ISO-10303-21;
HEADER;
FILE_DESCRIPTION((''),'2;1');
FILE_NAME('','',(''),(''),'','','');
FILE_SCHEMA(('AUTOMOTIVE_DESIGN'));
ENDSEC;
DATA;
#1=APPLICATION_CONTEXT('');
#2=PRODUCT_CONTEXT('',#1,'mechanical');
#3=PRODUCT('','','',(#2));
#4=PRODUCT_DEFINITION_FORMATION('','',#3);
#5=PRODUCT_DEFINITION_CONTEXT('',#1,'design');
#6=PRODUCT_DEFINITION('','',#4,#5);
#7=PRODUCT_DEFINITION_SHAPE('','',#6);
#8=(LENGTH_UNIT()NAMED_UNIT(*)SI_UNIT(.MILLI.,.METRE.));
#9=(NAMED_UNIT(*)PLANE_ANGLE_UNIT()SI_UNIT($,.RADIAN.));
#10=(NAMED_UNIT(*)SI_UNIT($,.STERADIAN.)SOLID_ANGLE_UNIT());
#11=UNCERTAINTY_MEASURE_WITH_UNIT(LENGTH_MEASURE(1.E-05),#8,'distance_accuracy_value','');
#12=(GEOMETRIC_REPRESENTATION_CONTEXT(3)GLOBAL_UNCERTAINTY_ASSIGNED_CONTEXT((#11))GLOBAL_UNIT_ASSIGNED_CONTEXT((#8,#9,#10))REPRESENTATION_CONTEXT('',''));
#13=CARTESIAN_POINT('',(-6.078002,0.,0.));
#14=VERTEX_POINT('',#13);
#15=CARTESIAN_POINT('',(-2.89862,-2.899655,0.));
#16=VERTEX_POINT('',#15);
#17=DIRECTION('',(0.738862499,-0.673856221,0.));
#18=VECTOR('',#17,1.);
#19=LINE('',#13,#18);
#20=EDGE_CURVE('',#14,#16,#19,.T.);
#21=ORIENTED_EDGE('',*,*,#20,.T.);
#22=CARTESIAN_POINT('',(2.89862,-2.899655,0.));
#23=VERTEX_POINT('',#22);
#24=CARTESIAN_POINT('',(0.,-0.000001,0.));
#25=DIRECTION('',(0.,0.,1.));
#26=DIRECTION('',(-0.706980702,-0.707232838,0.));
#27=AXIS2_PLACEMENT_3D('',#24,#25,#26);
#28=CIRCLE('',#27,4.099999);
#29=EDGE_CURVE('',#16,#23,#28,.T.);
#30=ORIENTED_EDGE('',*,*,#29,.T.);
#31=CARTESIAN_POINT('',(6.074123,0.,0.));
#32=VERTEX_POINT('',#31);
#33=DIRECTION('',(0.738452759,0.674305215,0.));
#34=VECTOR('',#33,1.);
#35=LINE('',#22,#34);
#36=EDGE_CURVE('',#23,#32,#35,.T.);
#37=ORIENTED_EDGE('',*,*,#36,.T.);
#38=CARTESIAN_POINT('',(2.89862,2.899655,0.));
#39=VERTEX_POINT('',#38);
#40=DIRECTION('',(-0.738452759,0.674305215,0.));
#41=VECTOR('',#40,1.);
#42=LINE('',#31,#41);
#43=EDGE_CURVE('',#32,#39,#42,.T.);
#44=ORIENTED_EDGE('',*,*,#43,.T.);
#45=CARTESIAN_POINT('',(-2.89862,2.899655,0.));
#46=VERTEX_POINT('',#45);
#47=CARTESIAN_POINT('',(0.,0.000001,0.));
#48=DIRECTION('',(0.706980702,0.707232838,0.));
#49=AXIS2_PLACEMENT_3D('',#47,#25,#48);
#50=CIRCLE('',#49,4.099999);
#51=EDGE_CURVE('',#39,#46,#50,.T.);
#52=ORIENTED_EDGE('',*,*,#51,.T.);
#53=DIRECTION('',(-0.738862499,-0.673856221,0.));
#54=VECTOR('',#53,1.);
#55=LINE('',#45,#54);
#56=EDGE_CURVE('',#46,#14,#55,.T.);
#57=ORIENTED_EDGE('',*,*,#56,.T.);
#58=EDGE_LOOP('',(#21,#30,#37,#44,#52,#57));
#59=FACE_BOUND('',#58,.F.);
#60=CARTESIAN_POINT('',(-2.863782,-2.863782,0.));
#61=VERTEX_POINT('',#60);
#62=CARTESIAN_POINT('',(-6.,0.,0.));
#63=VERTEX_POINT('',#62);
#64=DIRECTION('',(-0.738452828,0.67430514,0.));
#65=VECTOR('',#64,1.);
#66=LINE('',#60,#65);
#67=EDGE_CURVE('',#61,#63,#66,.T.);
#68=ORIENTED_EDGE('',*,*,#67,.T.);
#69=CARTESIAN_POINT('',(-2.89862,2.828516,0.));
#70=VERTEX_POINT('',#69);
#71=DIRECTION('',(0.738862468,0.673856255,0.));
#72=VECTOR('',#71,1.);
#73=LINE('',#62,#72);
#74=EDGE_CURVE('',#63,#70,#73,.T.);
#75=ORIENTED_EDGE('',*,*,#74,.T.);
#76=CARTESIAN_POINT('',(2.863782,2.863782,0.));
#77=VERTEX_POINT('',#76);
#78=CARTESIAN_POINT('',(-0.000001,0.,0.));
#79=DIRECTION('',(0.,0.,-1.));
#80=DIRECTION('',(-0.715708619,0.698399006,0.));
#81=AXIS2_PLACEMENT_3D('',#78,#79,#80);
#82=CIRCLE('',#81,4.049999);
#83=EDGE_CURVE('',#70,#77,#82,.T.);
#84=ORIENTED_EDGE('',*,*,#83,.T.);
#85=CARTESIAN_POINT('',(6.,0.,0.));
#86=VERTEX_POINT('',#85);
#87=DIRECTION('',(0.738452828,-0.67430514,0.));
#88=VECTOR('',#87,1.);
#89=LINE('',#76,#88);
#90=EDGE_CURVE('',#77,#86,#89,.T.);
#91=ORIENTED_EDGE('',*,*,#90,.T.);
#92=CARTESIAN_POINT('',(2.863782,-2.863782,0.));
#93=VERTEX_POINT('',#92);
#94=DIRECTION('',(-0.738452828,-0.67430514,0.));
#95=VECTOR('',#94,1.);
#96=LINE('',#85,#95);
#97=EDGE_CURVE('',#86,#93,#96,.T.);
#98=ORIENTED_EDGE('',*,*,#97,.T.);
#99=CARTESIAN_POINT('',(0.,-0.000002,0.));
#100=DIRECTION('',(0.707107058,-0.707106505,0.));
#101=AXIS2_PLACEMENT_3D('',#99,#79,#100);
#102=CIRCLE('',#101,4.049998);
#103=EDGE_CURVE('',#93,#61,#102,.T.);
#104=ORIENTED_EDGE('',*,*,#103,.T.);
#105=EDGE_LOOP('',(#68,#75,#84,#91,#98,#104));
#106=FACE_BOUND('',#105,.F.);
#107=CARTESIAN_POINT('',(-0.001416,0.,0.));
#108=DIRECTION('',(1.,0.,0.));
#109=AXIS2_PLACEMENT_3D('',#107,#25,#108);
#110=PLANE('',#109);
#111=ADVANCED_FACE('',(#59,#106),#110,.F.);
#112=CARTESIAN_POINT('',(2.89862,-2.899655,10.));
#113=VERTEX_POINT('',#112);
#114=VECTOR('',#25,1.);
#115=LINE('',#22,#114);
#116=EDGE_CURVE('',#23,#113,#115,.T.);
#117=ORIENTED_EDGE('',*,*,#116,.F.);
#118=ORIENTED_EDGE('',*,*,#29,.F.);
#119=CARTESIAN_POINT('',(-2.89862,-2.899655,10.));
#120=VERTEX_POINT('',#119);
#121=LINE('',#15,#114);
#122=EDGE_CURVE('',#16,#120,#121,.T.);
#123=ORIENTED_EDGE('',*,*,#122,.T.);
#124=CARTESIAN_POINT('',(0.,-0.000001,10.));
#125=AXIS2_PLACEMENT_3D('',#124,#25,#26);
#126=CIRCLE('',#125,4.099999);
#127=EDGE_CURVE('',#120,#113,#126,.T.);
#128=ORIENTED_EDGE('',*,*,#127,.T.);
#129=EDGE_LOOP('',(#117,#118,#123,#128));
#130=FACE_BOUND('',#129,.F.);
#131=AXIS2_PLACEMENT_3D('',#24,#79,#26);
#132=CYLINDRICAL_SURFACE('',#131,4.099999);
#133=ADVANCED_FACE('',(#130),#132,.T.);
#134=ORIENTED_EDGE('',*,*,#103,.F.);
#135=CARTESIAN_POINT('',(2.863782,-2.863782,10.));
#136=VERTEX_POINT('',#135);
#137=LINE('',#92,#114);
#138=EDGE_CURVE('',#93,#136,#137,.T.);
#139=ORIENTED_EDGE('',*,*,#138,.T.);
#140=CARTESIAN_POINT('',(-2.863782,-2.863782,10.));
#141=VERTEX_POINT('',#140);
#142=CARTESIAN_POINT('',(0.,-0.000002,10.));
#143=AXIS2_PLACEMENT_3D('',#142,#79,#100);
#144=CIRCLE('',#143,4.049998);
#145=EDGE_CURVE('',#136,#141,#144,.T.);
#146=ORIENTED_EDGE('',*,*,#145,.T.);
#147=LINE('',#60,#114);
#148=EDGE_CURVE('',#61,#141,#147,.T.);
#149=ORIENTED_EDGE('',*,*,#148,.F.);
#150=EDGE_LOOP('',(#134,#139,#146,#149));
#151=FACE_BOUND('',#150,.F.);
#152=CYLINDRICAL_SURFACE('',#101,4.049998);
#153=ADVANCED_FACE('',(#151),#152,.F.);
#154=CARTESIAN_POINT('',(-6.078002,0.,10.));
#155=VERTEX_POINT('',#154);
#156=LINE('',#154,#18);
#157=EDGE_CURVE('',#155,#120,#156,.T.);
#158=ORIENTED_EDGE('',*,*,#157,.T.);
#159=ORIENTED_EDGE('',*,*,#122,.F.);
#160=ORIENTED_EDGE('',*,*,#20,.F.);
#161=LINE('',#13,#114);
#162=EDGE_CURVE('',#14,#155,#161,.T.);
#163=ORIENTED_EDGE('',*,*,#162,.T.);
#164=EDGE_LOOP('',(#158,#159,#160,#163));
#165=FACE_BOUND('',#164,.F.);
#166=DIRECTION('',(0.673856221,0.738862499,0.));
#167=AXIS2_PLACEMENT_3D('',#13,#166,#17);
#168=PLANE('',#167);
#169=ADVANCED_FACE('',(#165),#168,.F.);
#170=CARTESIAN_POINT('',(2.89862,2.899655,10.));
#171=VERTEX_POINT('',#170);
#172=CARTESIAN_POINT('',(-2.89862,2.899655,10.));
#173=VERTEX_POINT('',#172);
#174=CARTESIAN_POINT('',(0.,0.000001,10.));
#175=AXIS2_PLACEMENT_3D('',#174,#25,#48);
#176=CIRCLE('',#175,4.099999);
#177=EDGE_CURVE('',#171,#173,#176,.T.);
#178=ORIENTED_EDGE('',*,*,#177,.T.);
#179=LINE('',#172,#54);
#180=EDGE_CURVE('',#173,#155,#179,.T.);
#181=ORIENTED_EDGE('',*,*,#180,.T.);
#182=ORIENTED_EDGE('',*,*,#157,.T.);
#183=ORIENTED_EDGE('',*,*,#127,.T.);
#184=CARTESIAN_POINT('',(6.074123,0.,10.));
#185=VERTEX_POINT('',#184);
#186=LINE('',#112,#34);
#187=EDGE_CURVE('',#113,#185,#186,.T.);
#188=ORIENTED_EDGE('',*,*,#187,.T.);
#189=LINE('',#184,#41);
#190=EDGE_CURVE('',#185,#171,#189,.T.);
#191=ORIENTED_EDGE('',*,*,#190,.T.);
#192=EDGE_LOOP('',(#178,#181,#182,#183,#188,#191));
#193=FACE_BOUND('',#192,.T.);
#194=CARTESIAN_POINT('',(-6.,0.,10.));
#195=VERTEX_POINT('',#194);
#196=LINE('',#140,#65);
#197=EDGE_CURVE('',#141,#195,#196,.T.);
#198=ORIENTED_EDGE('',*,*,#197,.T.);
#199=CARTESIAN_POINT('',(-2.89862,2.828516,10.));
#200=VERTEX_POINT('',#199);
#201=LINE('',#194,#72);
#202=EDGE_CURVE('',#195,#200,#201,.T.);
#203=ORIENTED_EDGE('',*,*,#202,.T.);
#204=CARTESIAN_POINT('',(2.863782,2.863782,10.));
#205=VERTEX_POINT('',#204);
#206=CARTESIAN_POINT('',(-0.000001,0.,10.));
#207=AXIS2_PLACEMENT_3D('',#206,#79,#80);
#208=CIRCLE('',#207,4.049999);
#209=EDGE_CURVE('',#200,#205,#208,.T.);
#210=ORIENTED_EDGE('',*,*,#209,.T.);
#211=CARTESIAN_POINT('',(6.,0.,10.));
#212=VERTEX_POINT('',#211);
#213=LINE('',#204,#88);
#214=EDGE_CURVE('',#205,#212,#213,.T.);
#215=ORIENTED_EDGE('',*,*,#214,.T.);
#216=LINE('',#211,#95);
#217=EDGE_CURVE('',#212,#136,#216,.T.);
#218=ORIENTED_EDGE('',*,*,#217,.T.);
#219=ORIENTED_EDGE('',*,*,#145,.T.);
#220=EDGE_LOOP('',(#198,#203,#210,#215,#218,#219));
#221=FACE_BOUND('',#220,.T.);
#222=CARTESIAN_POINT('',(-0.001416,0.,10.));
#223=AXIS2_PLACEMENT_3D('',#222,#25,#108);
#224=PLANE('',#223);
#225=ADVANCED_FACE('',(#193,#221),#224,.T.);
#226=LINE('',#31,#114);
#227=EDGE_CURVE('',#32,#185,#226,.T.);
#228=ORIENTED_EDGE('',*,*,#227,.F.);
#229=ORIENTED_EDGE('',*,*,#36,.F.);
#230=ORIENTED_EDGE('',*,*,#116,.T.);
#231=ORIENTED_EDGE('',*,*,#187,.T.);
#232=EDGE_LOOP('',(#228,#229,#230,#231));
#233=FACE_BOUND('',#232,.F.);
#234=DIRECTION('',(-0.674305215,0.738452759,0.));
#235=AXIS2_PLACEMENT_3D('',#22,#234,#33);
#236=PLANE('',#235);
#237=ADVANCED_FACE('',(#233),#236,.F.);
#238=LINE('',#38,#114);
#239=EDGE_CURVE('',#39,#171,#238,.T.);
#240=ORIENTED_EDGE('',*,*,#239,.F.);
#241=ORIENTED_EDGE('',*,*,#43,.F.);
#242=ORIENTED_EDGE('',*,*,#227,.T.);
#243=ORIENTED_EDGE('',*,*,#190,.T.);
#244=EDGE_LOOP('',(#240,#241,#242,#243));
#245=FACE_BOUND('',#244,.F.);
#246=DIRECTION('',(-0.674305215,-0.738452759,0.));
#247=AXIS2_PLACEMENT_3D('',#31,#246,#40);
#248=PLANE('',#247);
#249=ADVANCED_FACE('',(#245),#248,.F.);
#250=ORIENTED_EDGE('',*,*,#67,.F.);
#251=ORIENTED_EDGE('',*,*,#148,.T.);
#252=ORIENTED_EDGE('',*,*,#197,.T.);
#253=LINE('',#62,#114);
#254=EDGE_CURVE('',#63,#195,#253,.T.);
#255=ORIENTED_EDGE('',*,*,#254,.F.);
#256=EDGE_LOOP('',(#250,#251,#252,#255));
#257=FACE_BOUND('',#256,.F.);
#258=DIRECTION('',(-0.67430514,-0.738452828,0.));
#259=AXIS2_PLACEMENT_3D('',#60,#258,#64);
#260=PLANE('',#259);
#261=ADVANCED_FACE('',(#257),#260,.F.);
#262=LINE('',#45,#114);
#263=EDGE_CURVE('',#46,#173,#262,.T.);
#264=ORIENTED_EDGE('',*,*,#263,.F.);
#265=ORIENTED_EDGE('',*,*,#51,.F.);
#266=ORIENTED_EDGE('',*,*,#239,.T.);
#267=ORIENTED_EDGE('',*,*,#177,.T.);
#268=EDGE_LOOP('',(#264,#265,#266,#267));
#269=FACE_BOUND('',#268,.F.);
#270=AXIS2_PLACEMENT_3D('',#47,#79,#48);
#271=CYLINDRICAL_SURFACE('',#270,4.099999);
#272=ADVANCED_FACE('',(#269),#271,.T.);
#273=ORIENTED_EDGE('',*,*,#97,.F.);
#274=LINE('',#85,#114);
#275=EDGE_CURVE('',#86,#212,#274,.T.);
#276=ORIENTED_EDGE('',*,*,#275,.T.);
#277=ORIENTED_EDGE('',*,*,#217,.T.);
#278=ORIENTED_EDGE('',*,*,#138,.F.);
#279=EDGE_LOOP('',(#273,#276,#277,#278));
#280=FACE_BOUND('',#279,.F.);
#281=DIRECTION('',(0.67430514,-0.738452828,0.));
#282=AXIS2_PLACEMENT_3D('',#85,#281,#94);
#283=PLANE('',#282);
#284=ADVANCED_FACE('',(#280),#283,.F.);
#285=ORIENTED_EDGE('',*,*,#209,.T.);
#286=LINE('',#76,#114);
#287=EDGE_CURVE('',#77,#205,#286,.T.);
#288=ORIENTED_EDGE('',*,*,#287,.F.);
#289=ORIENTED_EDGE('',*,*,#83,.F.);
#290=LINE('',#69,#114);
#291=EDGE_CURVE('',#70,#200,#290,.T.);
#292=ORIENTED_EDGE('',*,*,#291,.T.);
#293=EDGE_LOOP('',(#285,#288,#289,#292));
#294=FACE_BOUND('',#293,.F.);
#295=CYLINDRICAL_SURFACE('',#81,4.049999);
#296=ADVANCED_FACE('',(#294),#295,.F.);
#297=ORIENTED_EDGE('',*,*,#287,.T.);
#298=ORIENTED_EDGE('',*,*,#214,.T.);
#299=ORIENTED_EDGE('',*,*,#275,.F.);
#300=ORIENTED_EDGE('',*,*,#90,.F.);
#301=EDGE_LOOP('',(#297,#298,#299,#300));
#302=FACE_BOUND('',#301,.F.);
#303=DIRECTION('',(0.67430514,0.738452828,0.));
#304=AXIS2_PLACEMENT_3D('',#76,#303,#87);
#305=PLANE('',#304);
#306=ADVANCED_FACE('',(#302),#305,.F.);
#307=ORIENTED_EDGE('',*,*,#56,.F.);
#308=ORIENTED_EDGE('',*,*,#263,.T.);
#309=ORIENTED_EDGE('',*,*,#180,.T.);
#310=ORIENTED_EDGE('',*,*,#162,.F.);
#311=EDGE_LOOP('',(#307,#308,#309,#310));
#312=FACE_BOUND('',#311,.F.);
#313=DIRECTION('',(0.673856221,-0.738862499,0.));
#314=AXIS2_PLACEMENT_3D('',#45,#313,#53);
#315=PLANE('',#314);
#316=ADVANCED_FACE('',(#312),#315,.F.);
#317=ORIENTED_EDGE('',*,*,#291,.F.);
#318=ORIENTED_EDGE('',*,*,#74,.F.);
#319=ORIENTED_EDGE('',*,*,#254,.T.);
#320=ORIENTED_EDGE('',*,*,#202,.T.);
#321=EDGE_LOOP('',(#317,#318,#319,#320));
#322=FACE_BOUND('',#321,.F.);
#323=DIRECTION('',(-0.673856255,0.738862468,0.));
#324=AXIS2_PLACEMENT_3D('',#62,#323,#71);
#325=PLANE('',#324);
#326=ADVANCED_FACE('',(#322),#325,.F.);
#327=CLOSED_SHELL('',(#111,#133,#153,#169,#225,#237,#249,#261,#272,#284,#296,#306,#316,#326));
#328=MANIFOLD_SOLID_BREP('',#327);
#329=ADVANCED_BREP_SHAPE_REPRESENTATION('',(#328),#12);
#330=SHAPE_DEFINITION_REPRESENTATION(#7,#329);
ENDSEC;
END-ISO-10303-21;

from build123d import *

# Parameters (mm, degrees)
F1_DEPTH = 10


with BuildPart() as f1:
    # F0 (on Top) → F1 (new body)
    with BuildSketch(Plane.XY):
        with BuildLine():
            Line((6.074123, 0), (2.89862, 2.899655))
            ThreePointArc((2.89862, 2.899655), (0, 4.1), (-2.89862, 2.899655))
            Line((-2.89862, 2.899655), (-6.078002, 0))
            Line((-6.078002, 0), (-2.89862, -2.899655))
            ThreePointArc((-2.89862, -2.899655), (0, -4.1), (2.89862, -2.899655))
            Line((2.89862, -2.899655), (6.074123, 0))
        make_face()
        with BuildLine():
            ThreePointArc((-2.89862, 2.828516), (-0.024786, 4.049924), (2.863782, 2.863782))
            Line((2.863782, 2.863782), (6, 0))
            Line((6, 0), (2.863782, -2.863782))
            ThreePointArc((2.863782, -2.863782), (0, -4.05), (-2.863782, -2.863782))
            Line((-2.863782, -2.863782), (-6, 0))
            Line((-6, 0), (-2.89862, 2.828516))
        make_face(mode=Mode.SUBTRACT)
    extrude(amount=F1_DEPTH)


solid = f1.part
